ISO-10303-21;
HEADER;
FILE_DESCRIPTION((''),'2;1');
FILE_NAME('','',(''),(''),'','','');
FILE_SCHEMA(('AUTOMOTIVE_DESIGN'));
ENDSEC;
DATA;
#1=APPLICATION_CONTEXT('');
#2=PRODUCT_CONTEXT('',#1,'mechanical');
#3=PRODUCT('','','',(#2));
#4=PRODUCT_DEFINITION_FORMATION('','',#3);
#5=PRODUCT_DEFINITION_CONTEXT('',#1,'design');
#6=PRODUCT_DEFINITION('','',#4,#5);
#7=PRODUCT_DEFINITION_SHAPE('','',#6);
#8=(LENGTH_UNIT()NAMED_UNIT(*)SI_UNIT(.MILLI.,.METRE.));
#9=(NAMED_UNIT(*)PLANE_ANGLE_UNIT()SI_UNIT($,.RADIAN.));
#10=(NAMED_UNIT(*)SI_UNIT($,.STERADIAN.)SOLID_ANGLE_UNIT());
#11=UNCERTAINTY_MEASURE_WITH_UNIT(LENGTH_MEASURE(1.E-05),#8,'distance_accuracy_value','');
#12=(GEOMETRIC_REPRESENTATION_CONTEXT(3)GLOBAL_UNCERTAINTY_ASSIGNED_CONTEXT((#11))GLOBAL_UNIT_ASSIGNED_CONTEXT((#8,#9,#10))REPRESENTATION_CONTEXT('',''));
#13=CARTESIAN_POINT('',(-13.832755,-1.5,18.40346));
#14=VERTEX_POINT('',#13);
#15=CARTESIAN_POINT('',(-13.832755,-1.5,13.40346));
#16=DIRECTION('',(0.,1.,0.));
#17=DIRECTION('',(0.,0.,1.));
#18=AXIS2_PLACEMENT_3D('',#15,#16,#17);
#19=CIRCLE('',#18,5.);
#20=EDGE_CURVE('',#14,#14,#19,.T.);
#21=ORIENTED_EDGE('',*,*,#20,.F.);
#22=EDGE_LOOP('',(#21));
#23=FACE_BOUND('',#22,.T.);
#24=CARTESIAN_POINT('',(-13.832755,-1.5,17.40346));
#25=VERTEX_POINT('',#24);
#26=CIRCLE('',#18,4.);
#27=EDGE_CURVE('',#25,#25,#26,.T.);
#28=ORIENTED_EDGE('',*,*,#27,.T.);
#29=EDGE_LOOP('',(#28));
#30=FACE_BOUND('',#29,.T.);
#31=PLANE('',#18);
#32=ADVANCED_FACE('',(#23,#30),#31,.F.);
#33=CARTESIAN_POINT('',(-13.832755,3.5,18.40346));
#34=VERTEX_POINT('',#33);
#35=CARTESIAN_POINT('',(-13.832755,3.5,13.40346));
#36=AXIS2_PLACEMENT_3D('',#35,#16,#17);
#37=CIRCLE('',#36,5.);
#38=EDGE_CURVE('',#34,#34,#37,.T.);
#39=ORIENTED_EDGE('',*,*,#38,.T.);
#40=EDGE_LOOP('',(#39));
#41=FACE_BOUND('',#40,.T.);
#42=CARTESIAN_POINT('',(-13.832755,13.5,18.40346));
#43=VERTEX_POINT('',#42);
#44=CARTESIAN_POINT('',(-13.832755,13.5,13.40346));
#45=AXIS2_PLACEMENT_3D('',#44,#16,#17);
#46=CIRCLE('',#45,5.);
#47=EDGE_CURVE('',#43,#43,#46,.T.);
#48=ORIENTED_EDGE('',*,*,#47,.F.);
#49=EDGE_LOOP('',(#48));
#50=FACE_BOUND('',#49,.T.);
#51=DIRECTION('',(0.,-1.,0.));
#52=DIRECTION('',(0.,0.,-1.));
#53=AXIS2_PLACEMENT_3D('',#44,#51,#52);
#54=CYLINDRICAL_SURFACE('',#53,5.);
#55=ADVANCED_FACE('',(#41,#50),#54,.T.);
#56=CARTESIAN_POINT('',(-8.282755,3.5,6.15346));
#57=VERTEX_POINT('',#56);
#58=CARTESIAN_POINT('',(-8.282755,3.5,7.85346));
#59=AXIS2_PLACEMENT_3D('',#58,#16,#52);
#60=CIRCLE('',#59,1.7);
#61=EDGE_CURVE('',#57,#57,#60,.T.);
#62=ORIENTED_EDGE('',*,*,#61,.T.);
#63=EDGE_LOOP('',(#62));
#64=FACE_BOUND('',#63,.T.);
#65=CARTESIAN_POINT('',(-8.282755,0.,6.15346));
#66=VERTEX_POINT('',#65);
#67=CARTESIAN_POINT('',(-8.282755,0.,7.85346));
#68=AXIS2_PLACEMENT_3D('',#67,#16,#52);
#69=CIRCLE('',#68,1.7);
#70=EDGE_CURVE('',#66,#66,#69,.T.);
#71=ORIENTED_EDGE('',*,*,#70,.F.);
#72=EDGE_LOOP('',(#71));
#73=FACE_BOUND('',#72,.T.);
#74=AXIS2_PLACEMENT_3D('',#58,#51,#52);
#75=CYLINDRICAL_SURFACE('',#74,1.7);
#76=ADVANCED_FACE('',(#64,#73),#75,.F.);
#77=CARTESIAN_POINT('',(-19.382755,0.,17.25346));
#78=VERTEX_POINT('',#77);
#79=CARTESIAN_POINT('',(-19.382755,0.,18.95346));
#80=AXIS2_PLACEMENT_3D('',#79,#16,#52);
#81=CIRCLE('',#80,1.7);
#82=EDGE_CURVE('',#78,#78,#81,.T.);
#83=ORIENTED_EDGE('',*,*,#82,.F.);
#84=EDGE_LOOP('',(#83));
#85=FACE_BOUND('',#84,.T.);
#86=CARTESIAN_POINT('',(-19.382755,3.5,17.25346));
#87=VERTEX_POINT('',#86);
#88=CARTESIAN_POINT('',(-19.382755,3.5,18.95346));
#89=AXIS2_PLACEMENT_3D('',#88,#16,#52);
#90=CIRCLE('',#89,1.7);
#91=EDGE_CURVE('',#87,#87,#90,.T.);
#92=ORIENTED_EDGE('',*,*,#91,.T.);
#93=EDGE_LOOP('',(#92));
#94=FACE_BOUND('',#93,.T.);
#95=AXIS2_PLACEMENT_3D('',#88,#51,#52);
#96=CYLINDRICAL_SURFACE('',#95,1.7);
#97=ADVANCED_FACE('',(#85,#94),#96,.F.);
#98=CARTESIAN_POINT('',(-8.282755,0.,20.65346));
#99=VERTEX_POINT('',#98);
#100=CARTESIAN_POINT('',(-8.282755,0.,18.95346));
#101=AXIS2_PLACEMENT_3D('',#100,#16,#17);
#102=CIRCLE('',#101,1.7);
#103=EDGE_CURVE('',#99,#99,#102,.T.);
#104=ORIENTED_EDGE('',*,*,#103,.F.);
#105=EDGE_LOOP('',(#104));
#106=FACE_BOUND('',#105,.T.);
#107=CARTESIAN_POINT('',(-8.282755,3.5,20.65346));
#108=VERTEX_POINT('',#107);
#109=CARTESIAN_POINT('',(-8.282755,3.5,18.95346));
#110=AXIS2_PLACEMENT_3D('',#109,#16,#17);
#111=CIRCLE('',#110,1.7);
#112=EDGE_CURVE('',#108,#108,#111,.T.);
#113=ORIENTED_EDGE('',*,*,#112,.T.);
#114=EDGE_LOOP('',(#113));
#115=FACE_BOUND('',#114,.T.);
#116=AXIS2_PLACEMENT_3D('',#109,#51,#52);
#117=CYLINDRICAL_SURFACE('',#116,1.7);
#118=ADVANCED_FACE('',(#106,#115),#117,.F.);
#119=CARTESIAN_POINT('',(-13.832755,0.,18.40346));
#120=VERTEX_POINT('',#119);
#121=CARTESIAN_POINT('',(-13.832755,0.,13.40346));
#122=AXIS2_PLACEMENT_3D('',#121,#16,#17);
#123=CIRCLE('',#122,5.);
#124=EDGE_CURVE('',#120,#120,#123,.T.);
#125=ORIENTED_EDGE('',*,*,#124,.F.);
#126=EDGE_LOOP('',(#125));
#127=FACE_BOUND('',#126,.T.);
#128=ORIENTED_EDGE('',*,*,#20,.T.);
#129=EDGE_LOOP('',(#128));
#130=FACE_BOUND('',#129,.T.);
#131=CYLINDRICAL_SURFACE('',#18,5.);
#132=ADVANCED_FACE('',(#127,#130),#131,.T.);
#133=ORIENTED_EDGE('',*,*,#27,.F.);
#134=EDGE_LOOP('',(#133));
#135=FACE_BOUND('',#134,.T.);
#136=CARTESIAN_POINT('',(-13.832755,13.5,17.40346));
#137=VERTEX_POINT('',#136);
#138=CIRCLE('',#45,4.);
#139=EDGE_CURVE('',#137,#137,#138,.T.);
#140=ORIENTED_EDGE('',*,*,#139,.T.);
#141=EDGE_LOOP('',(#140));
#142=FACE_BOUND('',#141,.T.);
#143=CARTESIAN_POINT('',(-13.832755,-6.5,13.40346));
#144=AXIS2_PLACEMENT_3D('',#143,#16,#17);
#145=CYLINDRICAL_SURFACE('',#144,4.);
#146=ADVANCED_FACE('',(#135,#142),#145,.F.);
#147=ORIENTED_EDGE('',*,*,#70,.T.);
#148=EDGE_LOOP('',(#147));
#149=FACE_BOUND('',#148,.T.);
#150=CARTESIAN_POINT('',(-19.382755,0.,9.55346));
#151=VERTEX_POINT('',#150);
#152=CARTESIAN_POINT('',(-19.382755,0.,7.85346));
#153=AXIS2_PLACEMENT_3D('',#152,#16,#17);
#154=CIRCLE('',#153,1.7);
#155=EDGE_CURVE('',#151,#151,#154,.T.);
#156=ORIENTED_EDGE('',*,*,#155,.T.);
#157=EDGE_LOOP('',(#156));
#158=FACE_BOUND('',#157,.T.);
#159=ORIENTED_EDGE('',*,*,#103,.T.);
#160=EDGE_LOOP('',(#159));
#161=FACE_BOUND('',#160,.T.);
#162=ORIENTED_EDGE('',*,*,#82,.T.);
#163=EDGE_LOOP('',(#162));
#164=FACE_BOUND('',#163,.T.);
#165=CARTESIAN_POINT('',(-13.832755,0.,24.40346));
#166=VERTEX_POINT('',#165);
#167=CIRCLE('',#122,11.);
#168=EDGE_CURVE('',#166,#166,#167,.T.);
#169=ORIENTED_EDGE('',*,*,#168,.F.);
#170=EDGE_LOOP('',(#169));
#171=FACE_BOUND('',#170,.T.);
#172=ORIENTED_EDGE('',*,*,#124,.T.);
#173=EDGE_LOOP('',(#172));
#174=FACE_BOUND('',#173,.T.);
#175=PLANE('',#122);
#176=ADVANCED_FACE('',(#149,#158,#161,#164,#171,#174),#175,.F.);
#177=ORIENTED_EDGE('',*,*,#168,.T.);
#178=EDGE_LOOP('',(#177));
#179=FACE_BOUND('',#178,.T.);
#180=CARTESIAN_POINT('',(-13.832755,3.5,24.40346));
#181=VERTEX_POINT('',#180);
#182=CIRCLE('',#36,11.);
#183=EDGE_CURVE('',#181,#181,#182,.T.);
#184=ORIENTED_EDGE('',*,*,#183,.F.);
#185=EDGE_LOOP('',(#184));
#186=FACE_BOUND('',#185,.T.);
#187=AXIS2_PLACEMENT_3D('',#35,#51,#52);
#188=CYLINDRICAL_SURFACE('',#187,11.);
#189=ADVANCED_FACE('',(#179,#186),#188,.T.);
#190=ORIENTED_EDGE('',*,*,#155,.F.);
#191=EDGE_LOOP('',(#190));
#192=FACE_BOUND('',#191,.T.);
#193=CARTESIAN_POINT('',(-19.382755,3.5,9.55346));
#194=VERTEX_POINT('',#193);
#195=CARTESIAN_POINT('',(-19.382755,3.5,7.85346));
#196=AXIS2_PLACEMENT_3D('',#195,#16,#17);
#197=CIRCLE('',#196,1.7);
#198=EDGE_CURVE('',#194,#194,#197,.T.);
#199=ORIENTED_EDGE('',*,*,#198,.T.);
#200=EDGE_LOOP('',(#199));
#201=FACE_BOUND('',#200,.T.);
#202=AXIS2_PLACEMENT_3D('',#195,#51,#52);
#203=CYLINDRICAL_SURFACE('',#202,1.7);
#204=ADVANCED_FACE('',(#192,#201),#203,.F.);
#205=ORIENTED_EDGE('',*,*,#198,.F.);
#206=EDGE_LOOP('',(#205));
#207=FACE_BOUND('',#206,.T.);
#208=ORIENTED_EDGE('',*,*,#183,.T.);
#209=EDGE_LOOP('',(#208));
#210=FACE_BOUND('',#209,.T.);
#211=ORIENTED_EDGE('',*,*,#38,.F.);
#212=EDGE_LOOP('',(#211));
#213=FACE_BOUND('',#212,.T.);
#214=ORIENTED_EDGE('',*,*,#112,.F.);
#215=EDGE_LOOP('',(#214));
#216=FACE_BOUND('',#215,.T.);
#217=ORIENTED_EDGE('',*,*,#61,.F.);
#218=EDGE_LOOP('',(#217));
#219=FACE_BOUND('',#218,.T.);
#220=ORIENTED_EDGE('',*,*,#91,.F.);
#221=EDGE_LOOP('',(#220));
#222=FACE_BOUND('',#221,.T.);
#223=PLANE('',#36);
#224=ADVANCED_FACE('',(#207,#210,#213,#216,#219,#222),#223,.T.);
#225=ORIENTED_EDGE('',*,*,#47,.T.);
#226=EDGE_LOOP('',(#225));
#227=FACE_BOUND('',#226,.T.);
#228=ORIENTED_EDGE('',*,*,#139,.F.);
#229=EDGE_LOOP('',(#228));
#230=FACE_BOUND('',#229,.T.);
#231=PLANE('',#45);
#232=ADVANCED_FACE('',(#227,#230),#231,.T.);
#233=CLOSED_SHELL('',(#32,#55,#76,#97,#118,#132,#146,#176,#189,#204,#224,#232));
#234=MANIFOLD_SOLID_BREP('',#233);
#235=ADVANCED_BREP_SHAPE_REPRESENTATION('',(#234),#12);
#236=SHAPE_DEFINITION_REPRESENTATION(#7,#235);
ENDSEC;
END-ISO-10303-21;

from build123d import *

# Parameters (mm, degrees)
SKETCH1_R           = 11
SKETCH1_R_2         = 4
SKETCH1_R_3         = 1.7
BOSS_EXTRUDE1_DEPTH = 3.5
SKETCH2_R           = 5
BOSS_EXTRUDE2_DEPTH = 10
BOSS_EXTRUDE3_START = -5
SKETCH2_2_R         = 5
BOSS_EXTRUDE3_DEPTH = 5
SKETCH3_R           = 4
CUT_EXTRUDE1_DEPTH  = 20


with BuildPart() as part:
    # Sketch1 → Boss-Extrude1 (new body)
    with BuildSketch(Plane(origin=(0, 0, 0), x_dir=(1, 0, 0), z_dir=(0, 1, 0))):
        with Locations((-13.832754598, -13.4034603)):
            Circle(SKETCH1_R)
        with Locations((-13.832754598, -13.4034603)):
            Circle(SKETCH1_R_2, mode=Mode.SUBTRACT)
        with Locations((-19.382754598, -7.8534603)):
            Circle(SKETCH1_R_3, mode=Mode.SUBTRACT)
        with Locations((-8.282754598, -7.8534603)):
            Circle(SKETCH1_R_3, mode=Mode.SUBTRACT)
        with Locations((-8.282754598, -18.9534603)):
            Circle(SKETCH1_R_3, mode=Mode.SUBTRACT)
        with Locations((-19.382754598, -18.9534603)):
            Circle(SKETCH1_R_3, mode=Mode.SUBTRACT)
    extrude(amount=BOSS_EXTRUDE1_DEPTH)

    # Sketch2 → Boss-Extrude2 (add)
    with BuildSketch(Plane(origin=(0, 3.5, 0), x_dir=(1, 0, 0), z_dir=(0, 1, 0))):
        with Locations((-13.832754598, -13.4034603)):
            Circle(SKETCH2_R)
    extrude(amount=BOSS_EXTRUDE2_DEPTH)

    # Sketch2<2> → Boss-Extrude3 (add)
    with BuildSketch(Plane(origin=(0, 3.5, 0), x_dir=(1, 0, 0), z_dir=(0, 1, 0)).offset(BOSS_EXTRUDE3_START)):
        with Locations((-13.832754598, -13.4034603)):
            Circle(SKETCH2_2_R)
    extrude(amount=BOSS_EXTRUDE3_DEPTH)

    # Sketch3 → Cut-Extrude1 (cut)
    with BuildSketch(Plane(origin=(0, 13.5, 0), x_dir=(1, 0, 0), z_dir=(0, 1, 0))):
        with Locations((-13.832754598, -13.4034603)):
            Circle(SKETCH3_R)
    extrude(amount=-CUT_EXTRUDE1_DEPTH, mode=Mode.SUBTRACT)


solid = part.part
